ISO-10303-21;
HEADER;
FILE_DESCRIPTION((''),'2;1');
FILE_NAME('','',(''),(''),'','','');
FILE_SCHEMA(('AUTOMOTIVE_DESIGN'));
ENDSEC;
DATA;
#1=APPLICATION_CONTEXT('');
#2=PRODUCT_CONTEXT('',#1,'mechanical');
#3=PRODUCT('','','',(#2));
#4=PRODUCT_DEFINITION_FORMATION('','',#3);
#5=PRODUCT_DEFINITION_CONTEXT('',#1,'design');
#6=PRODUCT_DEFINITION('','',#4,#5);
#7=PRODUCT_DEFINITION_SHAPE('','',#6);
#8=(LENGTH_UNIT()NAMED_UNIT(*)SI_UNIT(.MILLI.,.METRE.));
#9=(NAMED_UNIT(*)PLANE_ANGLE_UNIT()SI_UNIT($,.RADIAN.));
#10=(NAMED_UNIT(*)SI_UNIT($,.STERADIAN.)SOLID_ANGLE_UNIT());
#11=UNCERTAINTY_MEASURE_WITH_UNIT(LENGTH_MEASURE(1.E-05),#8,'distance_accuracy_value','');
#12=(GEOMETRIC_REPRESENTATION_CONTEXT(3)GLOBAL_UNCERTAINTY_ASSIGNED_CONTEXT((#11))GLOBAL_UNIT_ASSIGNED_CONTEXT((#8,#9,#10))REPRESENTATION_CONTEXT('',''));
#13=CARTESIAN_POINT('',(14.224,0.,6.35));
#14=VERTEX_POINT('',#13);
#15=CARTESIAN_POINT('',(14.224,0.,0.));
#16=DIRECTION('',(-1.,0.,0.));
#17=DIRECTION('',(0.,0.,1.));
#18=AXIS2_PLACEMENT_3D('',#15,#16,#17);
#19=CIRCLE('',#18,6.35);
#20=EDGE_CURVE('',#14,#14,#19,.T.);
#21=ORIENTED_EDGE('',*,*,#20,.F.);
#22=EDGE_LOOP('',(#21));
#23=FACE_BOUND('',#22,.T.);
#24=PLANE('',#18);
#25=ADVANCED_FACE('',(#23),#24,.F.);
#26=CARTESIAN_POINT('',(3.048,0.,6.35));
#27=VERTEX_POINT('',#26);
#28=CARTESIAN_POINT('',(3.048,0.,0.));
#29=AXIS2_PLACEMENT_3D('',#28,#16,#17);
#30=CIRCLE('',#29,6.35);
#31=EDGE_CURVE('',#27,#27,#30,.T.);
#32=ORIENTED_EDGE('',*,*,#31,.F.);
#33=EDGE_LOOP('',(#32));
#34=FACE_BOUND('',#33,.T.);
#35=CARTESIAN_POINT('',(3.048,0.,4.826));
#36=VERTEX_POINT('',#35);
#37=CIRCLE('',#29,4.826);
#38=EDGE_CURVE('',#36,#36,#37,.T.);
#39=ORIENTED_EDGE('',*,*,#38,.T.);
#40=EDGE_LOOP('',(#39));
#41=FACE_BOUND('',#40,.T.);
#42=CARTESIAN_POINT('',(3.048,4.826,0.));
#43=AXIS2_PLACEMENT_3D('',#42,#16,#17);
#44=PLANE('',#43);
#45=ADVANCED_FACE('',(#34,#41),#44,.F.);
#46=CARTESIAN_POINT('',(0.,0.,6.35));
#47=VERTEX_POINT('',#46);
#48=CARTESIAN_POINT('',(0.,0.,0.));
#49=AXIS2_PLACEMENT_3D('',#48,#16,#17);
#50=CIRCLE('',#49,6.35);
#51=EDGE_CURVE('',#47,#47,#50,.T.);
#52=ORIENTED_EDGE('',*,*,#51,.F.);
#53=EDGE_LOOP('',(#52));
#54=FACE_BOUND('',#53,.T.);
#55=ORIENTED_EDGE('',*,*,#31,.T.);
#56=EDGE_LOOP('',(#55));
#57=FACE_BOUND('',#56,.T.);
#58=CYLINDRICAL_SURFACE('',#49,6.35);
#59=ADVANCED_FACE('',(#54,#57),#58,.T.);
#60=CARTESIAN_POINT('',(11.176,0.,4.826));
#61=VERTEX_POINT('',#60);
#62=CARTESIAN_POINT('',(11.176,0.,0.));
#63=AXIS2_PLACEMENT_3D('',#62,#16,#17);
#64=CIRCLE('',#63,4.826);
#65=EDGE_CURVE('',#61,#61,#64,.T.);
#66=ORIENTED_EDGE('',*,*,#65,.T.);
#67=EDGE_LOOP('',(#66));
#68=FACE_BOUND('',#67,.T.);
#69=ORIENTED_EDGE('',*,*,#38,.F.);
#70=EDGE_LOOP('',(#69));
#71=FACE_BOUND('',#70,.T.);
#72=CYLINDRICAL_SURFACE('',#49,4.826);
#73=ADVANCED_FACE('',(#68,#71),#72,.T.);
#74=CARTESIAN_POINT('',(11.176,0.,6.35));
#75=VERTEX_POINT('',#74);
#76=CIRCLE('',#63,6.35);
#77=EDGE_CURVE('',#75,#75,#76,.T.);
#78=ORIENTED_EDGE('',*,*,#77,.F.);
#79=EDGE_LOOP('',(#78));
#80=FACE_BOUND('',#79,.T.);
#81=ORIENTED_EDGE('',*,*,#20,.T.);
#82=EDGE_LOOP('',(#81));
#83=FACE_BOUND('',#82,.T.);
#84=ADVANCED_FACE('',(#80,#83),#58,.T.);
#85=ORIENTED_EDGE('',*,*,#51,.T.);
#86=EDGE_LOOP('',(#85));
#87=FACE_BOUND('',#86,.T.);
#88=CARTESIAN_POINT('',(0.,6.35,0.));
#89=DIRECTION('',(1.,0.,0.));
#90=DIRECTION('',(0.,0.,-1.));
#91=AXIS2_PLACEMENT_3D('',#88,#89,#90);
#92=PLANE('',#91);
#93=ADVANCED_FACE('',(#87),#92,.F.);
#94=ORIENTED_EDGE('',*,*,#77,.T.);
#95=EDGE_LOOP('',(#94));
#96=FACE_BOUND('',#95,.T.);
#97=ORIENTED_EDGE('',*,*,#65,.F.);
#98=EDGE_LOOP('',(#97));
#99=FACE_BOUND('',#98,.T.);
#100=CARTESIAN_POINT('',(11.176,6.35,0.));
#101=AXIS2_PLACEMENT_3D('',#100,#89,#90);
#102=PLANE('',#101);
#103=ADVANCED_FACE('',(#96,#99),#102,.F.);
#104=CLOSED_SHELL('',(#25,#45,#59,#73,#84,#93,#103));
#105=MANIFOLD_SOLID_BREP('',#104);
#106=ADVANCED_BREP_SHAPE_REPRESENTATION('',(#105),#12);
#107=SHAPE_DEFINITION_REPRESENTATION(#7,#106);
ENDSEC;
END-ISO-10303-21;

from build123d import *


with BuildPart() as part:
    # Sketch1 → Revolve1 (revolve)
    with BuildSketch(Plane.XY, mode=Mode.PRIVATE) as revolve1_sk:
        Polygon((14.224, 0), (14.224, 6.35), (11.176, 6.35), (11.176, 4.826), (3.048, 4.826), (3.048, 6.35), (0, 6.35), (0, 0), align=None)
    revolve(revolve1_sk.sketch.rotate(Axis((0, 0, 0), (1, 0, 0)), 90), axis=Axis((0, 0, 0), (1, 0, 0)))


solid = part.part
